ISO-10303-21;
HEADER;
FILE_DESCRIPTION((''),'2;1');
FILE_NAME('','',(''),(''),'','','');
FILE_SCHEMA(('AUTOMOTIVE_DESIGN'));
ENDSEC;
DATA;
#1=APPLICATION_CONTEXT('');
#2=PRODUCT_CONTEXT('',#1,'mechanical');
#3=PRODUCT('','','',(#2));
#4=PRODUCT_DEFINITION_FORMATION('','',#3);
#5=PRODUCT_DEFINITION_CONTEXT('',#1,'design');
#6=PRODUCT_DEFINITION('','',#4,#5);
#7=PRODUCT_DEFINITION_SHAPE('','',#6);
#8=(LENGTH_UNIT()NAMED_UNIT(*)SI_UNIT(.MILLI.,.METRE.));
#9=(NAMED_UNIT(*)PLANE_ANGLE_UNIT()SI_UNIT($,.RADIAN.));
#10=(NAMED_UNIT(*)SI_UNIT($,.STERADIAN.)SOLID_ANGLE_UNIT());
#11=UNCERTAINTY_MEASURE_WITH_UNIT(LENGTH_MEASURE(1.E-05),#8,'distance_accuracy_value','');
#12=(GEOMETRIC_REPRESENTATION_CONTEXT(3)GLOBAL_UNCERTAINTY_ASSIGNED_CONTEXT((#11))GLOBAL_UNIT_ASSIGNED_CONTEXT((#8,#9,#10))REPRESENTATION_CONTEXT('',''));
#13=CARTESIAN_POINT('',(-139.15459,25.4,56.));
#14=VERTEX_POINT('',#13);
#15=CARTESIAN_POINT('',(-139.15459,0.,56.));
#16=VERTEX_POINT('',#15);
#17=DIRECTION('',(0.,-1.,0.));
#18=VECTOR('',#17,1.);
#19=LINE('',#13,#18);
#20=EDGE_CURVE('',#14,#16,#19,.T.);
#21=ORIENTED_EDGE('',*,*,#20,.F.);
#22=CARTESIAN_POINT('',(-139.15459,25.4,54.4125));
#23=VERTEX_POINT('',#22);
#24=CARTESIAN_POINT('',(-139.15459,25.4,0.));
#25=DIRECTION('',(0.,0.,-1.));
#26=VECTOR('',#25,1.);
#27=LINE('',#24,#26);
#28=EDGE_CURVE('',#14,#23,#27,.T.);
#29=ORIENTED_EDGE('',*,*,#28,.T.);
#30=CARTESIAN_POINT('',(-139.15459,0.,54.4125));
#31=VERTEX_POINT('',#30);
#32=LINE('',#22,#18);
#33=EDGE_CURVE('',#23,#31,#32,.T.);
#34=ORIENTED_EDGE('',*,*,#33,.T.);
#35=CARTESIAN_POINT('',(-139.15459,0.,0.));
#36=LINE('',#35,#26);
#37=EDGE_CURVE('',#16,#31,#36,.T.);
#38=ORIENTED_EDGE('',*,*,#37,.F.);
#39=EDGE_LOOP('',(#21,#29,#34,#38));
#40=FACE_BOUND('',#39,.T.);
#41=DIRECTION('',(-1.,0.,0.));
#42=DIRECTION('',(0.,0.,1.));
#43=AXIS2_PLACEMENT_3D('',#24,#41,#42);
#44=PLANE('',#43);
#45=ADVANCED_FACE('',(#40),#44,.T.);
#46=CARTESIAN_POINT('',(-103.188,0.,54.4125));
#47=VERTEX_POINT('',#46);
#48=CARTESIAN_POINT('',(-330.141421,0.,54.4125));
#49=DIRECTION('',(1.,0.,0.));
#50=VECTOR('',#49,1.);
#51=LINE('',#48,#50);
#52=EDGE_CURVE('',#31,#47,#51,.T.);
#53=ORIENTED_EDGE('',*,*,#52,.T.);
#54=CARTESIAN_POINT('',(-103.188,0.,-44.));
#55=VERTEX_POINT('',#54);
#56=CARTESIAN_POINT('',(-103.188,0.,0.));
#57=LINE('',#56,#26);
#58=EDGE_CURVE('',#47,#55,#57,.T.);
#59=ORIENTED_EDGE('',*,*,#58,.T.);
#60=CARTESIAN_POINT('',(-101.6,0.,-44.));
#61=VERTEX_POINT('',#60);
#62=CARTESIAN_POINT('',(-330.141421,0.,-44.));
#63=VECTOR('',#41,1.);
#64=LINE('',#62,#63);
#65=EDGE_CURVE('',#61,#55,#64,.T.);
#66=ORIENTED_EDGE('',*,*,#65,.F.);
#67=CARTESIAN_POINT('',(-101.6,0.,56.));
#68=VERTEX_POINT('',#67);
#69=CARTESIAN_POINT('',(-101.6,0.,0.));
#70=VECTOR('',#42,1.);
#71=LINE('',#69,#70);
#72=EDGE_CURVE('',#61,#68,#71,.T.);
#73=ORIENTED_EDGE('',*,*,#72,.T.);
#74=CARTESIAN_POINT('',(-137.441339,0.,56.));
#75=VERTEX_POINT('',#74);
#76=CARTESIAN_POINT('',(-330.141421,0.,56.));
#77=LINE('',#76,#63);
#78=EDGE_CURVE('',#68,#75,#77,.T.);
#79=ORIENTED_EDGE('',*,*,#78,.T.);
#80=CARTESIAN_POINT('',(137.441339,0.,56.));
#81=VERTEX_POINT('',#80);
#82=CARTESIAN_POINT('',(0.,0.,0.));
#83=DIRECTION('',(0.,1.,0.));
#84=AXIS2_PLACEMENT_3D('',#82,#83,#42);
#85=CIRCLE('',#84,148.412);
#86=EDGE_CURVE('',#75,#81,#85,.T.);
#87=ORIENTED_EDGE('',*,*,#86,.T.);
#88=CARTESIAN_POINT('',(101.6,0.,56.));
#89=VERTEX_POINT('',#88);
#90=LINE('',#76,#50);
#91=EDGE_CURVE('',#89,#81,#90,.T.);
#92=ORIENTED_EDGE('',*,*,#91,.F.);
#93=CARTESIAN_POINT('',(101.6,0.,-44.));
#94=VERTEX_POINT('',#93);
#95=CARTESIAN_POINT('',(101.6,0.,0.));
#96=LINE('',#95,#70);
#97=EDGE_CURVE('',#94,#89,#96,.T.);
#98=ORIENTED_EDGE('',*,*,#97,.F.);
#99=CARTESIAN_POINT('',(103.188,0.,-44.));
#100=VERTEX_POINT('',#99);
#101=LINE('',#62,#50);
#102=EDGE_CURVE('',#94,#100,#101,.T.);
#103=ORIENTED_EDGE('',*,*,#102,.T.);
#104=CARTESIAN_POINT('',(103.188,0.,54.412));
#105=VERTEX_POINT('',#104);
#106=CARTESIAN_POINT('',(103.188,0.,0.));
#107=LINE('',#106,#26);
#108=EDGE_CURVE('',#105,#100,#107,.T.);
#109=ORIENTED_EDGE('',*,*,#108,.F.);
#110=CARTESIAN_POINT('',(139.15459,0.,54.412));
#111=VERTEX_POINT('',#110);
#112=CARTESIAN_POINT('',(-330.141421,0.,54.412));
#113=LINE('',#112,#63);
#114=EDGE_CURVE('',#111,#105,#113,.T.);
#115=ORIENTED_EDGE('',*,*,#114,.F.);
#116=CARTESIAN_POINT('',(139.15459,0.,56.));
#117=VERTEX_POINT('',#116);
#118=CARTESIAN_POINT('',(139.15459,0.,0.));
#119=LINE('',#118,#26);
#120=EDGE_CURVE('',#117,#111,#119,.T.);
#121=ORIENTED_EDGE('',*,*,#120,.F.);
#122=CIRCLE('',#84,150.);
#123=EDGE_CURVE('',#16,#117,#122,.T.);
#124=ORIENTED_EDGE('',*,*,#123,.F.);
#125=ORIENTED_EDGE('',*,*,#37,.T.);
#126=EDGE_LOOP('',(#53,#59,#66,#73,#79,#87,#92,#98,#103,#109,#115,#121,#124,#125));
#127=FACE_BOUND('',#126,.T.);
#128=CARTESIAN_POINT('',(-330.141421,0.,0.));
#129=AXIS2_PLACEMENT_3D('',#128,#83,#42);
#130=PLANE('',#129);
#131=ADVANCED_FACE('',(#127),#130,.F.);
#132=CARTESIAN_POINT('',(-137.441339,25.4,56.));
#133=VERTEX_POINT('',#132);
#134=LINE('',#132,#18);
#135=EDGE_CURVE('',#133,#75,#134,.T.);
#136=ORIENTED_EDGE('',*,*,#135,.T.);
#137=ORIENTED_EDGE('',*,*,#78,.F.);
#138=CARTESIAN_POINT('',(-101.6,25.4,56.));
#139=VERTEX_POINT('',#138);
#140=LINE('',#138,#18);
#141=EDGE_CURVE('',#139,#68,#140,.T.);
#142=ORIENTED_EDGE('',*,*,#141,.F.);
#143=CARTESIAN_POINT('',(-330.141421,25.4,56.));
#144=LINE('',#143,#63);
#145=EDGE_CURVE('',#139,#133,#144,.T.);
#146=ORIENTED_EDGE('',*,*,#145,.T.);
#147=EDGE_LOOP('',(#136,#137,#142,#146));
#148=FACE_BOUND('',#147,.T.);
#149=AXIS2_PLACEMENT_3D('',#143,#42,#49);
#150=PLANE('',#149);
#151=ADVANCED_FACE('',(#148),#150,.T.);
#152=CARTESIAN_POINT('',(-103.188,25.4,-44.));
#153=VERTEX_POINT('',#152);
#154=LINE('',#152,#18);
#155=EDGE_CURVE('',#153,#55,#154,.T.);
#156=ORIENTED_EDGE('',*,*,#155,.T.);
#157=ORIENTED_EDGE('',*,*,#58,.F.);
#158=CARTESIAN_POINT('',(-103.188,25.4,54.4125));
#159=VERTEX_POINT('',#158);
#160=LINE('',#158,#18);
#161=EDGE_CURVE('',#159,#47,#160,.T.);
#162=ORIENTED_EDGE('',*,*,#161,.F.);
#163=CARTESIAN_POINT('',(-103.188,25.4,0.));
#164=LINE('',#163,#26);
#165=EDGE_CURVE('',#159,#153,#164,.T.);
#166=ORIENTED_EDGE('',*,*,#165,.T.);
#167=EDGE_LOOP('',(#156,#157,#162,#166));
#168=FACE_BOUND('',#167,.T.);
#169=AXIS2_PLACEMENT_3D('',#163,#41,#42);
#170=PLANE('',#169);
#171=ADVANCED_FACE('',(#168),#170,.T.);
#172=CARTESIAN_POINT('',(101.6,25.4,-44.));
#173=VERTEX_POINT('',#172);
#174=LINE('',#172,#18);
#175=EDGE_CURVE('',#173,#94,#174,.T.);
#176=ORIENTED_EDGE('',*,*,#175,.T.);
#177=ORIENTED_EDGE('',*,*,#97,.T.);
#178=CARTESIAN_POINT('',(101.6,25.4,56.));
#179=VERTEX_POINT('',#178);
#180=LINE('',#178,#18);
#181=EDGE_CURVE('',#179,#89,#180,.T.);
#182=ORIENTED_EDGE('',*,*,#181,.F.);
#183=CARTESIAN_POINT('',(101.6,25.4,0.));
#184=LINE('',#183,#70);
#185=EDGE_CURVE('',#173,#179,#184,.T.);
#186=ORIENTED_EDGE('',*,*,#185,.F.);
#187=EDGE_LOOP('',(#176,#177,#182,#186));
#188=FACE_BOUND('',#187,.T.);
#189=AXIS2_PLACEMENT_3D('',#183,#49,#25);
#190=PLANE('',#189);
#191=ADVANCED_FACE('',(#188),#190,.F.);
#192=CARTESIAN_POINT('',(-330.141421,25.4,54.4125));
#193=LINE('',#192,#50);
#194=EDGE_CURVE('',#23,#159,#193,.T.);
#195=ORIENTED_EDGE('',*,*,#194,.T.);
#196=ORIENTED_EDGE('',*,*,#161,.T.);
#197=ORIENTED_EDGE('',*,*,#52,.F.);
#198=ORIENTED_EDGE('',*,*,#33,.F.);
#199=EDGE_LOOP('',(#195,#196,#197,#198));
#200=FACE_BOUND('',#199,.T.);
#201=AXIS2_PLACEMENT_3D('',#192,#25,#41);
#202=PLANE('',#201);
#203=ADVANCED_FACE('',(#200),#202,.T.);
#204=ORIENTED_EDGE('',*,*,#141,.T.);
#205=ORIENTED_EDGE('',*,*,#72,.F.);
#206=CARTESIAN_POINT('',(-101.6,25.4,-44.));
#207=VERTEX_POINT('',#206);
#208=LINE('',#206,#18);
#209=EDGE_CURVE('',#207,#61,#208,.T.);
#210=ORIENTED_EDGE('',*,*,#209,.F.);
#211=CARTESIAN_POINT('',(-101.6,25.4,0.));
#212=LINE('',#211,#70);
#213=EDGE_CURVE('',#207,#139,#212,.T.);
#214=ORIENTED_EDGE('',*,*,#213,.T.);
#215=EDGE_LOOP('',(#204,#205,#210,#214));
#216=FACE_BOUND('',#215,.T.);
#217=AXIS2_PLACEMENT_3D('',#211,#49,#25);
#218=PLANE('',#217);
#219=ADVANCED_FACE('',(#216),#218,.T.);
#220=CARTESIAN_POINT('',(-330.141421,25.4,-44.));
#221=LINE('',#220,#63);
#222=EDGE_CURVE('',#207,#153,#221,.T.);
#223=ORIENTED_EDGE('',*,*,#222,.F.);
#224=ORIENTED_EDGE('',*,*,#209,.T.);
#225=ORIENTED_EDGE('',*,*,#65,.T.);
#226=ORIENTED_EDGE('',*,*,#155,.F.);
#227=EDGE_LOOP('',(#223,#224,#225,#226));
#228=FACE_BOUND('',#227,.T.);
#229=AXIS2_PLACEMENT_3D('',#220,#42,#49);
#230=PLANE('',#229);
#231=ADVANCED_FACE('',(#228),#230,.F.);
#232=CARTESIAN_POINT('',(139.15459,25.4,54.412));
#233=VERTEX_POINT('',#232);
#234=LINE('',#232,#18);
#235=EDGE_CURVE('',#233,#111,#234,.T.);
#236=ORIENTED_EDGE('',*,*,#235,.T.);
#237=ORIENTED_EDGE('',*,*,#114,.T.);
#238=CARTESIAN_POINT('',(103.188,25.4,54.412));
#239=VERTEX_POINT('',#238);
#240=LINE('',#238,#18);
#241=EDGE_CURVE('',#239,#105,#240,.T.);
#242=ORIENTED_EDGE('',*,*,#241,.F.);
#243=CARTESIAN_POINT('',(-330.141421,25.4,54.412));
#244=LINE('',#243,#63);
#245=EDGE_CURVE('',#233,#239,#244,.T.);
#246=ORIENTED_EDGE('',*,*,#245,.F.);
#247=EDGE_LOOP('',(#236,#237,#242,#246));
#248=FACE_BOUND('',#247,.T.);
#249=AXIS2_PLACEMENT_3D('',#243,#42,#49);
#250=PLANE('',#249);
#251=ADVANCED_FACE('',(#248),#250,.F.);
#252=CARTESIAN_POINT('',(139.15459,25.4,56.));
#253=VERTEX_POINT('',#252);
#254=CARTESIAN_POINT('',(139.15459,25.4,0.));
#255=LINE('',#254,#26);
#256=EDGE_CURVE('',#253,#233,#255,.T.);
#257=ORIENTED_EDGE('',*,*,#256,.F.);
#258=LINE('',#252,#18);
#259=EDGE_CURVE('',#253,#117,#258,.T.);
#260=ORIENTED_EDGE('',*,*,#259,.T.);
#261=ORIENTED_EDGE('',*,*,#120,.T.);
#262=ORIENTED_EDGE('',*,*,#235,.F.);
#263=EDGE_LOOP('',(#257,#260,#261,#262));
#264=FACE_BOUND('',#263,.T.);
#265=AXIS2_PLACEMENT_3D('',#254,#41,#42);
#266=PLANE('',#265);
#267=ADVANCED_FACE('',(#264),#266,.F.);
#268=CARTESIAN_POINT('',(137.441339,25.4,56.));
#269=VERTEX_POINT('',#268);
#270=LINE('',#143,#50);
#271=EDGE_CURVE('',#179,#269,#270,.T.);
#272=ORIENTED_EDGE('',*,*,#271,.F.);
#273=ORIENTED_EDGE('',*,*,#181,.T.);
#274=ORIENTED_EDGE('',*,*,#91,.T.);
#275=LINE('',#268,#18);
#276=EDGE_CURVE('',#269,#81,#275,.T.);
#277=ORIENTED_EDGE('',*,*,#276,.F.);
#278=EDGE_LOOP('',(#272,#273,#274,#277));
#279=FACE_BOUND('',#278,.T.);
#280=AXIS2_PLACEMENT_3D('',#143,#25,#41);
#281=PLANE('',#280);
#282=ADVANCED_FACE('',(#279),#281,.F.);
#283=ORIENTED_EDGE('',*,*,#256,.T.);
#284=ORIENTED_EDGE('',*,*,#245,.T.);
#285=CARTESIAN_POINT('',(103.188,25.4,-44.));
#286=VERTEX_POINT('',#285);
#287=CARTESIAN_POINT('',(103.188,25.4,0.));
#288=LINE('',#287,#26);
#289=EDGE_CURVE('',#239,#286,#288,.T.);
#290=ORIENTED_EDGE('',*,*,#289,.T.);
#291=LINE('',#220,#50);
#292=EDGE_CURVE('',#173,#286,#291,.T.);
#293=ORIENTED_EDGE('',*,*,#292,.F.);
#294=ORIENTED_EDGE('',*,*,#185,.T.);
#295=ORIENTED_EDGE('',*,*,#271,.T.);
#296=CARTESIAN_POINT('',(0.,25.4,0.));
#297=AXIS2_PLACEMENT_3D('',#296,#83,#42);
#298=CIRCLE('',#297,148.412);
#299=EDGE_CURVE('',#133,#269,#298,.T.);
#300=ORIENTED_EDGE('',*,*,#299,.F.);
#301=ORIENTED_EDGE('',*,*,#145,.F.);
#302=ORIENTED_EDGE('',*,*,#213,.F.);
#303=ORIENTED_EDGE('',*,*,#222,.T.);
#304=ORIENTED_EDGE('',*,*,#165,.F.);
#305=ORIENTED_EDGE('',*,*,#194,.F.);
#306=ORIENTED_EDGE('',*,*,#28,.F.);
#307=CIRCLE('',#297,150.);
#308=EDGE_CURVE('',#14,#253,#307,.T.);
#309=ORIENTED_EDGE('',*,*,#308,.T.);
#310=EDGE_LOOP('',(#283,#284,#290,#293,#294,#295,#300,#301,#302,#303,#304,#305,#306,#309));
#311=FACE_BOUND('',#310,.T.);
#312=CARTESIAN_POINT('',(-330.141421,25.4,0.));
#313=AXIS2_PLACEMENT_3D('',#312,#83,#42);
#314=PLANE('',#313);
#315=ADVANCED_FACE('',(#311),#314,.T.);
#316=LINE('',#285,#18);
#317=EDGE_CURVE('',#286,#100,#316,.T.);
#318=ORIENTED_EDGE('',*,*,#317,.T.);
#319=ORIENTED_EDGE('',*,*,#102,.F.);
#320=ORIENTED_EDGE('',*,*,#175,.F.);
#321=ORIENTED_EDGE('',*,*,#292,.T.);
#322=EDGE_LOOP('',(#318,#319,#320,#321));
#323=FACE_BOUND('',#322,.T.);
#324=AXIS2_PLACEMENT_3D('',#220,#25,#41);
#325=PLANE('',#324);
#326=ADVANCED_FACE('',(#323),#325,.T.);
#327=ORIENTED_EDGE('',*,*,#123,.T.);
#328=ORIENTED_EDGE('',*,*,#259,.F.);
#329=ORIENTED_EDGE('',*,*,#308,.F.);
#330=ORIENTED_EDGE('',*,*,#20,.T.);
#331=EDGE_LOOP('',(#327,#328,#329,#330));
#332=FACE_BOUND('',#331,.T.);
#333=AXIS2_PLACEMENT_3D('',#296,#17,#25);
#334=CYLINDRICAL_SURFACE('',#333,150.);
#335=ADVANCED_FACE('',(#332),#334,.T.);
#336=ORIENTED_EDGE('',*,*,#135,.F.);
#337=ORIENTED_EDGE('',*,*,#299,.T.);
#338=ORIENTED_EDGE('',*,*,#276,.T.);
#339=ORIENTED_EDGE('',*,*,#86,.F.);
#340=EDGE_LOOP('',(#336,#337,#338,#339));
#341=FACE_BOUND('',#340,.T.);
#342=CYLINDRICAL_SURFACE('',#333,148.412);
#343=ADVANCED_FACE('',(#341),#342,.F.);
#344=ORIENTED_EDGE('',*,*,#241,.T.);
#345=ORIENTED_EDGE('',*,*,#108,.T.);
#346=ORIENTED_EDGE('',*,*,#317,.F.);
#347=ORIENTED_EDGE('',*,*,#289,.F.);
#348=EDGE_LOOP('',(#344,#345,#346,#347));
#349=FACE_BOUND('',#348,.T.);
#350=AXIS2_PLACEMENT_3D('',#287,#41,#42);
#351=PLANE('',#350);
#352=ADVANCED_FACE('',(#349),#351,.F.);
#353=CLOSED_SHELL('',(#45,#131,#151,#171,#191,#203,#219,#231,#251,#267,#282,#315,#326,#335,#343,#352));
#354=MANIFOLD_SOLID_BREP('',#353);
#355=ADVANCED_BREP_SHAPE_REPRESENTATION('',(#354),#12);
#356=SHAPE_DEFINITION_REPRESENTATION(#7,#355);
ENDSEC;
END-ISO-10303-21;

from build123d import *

# Parameters (mm, degrees)
SKETCH1_W           = 1.588
SKETCH1_H           = 1.588
SKETCH1_H_2         = 98.412
SKETCH1_H_3         = 98.4125
SKETCH1_H_4         = 1.5875
BOSS_EXTRUDE1_DEPTH = 25.4


with BuildPart() as part:
    # Sketch1 → Boss-Extrude1 (new body)
    with BuildSketch(Plane(origin=(0, 0, 0), x_dir=(1, 0, 0), z_dir=(0, 1, 0))):
        with BuildLine():
            ThreePointArc((137.441339283, -56), (0, -148.412), (-137.441339283, -56))
            Line((-137.441339283, -56), (-139.154590294, -56))
            ThreePointArc((-139.154590294, -56), (0, -150), (139.154590294, -56))
            Line((139.154590294, -56), (137.441339283, -56))
        make_face()
        with BuildLine():
            Line((103.188, -54.412), (103.188, -56))
            Line((103.188, -56), (137.441339283, -56))
            ThreePointArc((137.441339283, -56), (137.761816422, -55.20691696), (138.077717246, -54.412))
            Line((138.077717246, -54.412), (103.188, -54.412))
        make_face()
        with Locations((102.394, -55.206)):
            Rectangle(SKETCH1_W, SKETCH1_H)
        with Locations((102.394, -5.206)):
            Rectangle(SKETCH1_W, SKETCH1_H_2)
        with Locations((-102.394, -5.20625)):
            Rectangle(SKETCH1_W, SKETCH1_H_3)
        with Locations((-102.394, -55.20625)):
            Rectangle(SKETCH1_W, SKETCH1_H_4)
        with BuildLine():
            Line((-137.441339283, -56), (-103.188, -56))
            Line((-103.188, -56), (-103.188, -54.4125))
            Line((-103.188, -54.4125), (-138.077520211, -54.4125))
            ThreePointArc((-138.077520211, -54.4125), (-137.761716465, -55.207166388), (-137.441339283, -56))
        make_face()
        with BuildLine():
            Line((-139.154590294, -56), (-137.441339283, -56))
            ThreePointArc((-137.441339283, -56), (-137.761716465, -55.207166388), (-138.077520211, -54.4125))
            Line((-138.077520211, -54.4125), (-139.154590294, -54.4125))
            Line((-139.154590294, -54.4125), (-139.154590294, -56))
        make_face()
        with BuildLine():
            ThreePointArc((138.077717246, -54.412), (137.761816422, -55.20691696), (137.441339283, -56))
            Line((137.441339283, -56), (139.154590294, -56))
            Line((139.154590294, -56), (139.154590294, -54.412))
            Line((139.154590294, -54.412), (138.077717246, -54.412))
        make_face()
    extrude(amount=BOSS_EXTRUDE1_DEPTH)


solid = part.part
